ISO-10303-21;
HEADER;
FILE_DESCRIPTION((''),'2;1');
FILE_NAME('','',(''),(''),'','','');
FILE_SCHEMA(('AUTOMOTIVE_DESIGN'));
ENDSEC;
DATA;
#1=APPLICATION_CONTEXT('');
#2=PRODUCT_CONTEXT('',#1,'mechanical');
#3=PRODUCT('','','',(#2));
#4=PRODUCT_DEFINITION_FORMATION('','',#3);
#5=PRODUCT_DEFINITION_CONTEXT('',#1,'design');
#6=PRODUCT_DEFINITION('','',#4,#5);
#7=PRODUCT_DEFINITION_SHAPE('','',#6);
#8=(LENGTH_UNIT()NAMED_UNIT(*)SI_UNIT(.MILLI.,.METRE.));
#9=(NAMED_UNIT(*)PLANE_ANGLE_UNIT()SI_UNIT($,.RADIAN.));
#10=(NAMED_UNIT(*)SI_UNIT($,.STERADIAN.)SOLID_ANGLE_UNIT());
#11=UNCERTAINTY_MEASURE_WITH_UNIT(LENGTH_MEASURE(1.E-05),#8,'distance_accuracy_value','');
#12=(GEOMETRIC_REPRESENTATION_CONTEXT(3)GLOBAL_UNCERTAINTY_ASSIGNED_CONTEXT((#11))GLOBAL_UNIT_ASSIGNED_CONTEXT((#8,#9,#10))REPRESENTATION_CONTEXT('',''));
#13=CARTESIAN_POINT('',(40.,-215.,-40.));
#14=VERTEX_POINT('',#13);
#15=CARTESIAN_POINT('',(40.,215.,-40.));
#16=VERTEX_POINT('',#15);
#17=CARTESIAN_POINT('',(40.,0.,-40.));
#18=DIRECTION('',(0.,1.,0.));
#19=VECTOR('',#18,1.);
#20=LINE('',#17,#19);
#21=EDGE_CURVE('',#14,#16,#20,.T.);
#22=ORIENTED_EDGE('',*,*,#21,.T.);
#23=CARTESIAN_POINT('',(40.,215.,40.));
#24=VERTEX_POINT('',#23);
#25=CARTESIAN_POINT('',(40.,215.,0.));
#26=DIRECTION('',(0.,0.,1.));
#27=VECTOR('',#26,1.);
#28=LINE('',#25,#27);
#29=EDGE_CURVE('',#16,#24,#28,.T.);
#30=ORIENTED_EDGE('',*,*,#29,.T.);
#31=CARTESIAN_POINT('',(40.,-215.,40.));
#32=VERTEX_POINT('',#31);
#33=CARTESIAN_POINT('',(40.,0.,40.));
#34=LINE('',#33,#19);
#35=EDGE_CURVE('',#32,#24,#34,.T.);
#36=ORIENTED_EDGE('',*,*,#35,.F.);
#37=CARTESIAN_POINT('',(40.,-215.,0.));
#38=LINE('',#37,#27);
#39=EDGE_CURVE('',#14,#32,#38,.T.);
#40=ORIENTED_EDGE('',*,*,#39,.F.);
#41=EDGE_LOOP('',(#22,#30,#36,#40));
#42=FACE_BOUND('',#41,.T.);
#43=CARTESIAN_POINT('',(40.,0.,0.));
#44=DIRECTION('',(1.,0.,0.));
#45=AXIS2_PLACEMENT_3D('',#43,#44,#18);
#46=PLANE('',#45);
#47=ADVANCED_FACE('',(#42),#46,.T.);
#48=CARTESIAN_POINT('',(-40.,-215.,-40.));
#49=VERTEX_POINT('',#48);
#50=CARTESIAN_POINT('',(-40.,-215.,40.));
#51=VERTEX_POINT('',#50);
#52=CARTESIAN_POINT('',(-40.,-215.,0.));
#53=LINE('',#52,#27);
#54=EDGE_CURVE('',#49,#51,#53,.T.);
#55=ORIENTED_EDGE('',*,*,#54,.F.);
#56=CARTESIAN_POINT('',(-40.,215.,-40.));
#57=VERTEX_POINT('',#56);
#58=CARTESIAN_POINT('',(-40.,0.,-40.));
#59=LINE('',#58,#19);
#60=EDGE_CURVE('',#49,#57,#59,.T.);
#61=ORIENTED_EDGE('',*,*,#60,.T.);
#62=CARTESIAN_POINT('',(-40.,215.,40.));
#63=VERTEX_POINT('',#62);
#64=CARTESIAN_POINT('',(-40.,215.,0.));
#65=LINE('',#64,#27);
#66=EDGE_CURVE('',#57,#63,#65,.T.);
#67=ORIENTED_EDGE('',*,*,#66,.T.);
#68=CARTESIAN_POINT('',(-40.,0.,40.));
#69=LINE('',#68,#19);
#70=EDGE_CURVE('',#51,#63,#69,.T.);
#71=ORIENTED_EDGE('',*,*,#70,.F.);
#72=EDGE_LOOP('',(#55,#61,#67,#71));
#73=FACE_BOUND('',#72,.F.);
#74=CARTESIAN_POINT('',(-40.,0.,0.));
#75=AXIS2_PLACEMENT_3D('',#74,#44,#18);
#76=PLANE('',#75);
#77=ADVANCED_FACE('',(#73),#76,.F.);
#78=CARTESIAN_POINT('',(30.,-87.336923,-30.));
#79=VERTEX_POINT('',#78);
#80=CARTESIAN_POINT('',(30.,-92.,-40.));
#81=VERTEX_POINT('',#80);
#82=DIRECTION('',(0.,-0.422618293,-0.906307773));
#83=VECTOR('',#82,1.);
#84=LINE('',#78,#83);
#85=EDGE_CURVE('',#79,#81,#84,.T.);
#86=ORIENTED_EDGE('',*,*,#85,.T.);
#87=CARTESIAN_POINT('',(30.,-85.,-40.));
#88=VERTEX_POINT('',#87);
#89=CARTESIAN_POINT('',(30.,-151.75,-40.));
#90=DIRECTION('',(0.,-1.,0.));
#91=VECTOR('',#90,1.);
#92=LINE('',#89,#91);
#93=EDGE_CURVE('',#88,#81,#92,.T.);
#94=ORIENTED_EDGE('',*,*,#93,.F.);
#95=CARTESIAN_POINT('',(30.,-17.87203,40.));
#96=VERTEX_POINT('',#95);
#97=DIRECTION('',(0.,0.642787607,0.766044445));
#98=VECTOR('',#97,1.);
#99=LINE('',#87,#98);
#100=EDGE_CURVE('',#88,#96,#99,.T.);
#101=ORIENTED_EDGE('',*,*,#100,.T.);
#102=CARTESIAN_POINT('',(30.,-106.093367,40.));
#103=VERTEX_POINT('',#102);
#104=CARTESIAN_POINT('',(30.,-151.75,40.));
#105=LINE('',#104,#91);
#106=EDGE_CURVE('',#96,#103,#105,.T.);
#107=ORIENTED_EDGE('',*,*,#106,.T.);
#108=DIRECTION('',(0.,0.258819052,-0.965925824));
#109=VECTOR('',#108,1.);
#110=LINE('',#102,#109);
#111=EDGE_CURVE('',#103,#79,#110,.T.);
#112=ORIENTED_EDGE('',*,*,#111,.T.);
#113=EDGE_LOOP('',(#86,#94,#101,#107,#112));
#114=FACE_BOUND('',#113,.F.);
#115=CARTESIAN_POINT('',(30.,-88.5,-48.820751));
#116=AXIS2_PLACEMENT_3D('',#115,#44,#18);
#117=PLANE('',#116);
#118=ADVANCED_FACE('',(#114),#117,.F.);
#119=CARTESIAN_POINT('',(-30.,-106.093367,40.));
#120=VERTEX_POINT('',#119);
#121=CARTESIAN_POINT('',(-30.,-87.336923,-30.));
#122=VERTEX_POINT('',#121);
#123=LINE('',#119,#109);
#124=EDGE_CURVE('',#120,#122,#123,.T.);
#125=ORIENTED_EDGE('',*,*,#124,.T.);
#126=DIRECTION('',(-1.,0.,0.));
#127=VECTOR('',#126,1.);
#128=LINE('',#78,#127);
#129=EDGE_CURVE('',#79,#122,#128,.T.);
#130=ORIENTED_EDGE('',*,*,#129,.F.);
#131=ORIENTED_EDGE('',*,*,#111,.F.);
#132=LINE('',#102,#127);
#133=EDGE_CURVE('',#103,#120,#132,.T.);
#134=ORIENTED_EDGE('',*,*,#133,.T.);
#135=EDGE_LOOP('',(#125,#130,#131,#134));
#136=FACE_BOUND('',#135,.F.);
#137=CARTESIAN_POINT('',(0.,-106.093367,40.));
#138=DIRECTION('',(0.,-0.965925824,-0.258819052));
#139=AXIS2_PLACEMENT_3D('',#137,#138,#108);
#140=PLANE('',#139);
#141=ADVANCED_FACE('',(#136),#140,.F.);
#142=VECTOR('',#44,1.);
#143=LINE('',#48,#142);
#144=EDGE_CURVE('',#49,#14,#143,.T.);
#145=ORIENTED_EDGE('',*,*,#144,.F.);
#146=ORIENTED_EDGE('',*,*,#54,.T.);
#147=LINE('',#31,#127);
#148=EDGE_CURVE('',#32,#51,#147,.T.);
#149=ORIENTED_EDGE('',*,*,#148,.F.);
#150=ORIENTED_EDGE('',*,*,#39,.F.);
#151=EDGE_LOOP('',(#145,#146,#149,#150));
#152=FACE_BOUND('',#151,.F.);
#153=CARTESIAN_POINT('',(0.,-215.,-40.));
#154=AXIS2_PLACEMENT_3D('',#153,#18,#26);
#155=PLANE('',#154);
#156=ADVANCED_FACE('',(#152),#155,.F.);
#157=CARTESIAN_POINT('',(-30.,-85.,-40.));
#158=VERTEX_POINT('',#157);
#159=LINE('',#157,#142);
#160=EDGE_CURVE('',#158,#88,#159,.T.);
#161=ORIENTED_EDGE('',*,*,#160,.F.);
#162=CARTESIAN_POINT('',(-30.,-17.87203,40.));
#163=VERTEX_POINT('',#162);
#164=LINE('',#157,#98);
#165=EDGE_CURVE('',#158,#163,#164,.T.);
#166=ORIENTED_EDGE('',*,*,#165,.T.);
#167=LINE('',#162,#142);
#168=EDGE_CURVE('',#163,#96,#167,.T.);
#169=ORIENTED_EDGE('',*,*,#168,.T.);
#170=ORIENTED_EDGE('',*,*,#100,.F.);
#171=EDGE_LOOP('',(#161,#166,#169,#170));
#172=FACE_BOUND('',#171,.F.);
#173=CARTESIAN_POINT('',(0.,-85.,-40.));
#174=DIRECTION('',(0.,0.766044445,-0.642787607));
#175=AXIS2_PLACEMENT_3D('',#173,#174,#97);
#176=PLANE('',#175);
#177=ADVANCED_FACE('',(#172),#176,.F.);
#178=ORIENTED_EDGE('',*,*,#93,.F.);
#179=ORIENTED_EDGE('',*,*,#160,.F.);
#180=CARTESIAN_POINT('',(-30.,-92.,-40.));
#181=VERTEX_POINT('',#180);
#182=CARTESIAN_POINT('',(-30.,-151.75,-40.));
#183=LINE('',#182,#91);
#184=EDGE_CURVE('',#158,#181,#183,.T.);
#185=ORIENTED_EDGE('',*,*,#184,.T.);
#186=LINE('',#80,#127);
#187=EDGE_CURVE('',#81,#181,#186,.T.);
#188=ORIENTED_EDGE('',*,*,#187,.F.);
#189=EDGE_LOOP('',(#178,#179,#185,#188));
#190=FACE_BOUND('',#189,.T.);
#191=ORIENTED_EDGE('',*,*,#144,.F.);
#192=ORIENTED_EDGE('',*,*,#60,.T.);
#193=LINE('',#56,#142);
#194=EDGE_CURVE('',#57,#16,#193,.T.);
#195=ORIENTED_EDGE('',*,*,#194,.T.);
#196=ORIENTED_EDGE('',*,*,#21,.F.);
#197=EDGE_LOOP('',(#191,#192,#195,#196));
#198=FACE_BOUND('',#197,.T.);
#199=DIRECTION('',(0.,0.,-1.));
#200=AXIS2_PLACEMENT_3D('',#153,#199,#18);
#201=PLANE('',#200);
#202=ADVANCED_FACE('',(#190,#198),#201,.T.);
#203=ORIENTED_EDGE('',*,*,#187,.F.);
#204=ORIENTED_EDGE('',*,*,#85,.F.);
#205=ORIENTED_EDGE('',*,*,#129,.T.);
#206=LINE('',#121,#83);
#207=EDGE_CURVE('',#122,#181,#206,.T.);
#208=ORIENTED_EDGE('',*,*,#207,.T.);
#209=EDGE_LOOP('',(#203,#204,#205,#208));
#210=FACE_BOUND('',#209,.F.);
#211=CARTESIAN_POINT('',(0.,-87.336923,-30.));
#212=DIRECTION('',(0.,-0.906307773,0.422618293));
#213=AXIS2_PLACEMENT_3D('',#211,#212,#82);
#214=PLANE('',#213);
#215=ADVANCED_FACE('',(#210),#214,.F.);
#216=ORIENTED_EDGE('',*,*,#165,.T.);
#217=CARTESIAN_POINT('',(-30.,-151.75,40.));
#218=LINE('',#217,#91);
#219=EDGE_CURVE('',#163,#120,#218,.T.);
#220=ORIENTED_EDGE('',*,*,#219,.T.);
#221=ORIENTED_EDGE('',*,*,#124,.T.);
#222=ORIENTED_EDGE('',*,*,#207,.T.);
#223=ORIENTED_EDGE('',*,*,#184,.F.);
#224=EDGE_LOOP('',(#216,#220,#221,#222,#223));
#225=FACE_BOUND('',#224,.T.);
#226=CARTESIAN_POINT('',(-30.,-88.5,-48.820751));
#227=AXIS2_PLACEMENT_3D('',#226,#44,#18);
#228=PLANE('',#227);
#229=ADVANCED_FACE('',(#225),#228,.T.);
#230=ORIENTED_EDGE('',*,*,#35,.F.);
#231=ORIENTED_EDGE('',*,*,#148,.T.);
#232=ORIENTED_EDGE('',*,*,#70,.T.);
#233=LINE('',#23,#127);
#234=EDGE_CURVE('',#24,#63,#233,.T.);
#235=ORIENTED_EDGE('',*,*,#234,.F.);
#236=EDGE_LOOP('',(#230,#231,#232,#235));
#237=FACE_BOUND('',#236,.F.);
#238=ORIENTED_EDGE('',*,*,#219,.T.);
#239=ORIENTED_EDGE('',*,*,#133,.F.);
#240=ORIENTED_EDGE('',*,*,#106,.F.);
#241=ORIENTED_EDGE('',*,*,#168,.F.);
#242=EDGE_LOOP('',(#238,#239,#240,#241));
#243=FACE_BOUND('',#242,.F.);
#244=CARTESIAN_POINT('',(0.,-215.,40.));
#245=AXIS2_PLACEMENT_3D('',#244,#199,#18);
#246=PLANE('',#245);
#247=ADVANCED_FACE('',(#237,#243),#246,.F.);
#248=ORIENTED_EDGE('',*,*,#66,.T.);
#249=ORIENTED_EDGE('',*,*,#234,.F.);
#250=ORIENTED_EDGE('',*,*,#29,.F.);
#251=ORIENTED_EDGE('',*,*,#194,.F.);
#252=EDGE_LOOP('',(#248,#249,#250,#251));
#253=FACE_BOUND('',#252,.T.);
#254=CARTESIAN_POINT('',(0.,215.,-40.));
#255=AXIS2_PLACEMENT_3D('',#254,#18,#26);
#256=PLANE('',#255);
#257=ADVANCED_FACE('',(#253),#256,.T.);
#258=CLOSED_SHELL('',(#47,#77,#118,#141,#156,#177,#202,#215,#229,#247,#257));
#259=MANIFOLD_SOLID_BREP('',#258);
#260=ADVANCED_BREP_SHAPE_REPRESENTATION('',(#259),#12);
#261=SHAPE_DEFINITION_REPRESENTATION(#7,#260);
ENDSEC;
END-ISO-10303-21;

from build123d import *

# Parameters (mm, degrees)
F0_W     = 430
F0_H     = 80
F1_DEPTH = 40
F2_W     = 7
F2_H     = 17.641502
F3_DEPTH = 30


with BuildPart() as f1:
    # F0 (on Right) → F1 (new body, symmetric)
    with BuildSketch(Plane.YZ):
        Rectangle(F0_W, F0_H)
    extrude(amount=F1_DEPTH, both=True)

    # F2 (on Right) → F3 (cut, symmetric)
    with BuildSketch(Plane.YZ):
        with Locations((-88.5, -48.820751)):
            Rectangle(F2_W, F2_H)
        Polygon((-92, -40), (-85, -40), (-17.87203, 40), (-17.87203, 50), (-106.093367, 50), (-106.093367, 40), (-87.336923, -30), align=None)
    extrude(amount=F3_DEPTH, both=True, mode=Mode.SUBTRACT)


solid = f1.part
